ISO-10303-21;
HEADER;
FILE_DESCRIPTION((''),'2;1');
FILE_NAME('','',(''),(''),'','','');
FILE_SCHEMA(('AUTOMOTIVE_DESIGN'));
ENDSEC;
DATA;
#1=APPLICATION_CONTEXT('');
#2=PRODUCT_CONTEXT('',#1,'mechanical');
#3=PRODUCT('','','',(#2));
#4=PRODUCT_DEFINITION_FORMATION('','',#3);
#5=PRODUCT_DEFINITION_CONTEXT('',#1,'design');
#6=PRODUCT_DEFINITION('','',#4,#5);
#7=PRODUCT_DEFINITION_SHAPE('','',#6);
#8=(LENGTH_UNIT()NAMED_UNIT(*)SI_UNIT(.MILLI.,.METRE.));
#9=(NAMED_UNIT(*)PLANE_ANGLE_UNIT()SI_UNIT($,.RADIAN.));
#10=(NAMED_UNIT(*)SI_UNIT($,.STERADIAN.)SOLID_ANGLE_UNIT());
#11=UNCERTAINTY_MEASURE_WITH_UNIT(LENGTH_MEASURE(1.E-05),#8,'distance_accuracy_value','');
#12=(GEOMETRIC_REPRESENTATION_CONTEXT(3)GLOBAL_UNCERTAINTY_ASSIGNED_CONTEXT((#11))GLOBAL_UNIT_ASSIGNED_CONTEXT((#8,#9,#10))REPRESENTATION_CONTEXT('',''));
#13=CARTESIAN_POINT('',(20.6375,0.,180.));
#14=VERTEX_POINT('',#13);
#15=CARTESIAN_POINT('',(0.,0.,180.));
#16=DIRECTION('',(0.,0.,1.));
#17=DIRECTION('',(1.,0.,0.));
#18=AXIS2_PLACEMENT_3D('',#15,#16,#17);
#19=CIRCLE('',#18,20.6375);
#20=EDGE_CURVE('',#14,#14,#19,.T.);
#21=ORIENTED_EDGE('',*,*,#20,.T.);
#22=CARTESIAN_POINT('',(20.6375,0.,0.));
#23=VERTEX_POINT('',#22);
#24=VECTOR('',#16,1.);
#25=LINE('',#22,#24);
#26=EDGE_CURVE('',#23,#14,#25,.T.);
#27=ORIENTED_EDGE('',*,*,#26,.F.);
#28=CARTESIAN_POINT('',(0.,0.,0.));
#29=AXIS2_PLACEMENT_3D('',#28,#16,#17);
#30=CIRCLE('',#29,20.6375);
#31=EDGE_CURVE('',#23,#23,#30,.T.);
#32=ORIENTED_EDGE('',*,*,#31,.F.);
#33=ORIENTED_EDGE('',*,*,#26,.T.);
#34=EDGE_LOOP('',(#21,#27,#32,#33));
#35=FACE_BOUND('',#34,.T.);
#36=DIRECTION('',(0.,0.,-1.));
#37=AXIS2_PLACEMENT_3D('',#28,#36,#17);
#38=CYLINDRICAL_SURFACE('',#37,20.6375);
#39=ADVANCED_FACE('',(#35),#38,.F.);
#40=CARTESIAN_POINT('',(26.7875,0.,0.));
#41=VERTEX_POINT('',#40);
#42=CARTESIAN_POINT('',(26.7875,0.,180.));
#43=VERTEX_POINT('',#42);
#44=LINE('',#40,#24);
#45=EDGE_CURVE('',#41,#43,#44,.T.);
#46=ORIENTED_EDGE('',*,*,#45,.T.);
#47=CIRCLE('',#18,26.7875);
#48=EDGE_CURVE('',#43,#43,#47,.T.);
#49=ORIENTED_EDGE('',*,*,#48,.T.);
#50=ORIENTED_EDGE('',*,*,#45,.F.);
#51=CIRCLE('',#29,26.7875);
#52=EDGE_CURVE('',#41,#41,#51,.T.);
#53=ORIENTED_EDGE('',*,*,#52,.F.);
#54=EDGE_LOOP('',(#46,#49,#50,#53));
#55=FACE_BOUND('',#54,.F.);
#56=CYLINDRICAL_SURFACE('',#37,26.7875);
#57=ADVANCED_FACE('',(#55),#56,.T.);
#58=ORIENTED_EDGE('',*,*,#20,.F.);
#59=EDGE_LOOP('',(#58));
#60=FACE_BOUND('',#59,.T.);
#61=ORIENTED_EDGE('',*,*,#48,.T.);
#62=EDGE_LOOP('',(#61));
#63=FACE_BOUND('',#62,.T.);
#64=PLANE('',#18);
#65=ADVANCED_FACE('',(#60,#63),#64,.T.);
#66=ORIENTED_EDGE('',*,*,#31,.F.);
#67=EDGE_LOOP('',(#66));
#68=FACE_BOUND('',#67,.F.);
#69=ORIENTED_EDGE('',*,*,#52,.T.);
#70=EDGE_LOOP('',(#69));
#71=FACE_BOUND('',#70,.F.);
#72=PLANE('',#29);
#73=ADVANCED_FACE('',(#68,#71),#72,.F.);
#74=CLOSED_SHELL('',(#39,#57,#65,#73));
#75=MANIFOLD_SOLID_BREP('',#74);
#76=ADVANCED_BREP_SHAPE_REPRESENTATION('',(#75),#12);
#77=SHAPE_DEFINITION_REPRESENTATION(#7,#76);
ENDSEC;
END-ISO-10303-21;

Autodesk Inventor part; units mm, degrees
ref_plane "YZ Plane" through (0, 0, 0) normal (1, 0, 0) x (0, 1, 0)
ref_plane "XZ Plane" through (0, 0, 0) normal (0, 1, 0) x (-1, 0, 0)
ref_plane "XY Plane" through (0, 0, 0) normal (0, 0, 1) x (1, 0, 0)
sketch "Sketch1" plane through (0, 0, 0) normal (0, 0, 1) x (1, 0, 0)
  circle A0 centre (0, 0) radius 20.6375
  circle A1 centre (0, 0) radius 26.7875
  dimension "d0" = 41.275
  dimension "d1" = 53.575
extrude "Extrusion1" add sketch "Sketch1" along normal blind 180
thread "Thread1" size "M16x2" class "6g" standard "ANSI Metric M Profile" full length
thread "Thread2" size "M16x2" class "6H" standard "ANSI Metric M Profile" full length
properties part number "41xx_Bias_Coils_MPSv2_v1" material "Copper"
